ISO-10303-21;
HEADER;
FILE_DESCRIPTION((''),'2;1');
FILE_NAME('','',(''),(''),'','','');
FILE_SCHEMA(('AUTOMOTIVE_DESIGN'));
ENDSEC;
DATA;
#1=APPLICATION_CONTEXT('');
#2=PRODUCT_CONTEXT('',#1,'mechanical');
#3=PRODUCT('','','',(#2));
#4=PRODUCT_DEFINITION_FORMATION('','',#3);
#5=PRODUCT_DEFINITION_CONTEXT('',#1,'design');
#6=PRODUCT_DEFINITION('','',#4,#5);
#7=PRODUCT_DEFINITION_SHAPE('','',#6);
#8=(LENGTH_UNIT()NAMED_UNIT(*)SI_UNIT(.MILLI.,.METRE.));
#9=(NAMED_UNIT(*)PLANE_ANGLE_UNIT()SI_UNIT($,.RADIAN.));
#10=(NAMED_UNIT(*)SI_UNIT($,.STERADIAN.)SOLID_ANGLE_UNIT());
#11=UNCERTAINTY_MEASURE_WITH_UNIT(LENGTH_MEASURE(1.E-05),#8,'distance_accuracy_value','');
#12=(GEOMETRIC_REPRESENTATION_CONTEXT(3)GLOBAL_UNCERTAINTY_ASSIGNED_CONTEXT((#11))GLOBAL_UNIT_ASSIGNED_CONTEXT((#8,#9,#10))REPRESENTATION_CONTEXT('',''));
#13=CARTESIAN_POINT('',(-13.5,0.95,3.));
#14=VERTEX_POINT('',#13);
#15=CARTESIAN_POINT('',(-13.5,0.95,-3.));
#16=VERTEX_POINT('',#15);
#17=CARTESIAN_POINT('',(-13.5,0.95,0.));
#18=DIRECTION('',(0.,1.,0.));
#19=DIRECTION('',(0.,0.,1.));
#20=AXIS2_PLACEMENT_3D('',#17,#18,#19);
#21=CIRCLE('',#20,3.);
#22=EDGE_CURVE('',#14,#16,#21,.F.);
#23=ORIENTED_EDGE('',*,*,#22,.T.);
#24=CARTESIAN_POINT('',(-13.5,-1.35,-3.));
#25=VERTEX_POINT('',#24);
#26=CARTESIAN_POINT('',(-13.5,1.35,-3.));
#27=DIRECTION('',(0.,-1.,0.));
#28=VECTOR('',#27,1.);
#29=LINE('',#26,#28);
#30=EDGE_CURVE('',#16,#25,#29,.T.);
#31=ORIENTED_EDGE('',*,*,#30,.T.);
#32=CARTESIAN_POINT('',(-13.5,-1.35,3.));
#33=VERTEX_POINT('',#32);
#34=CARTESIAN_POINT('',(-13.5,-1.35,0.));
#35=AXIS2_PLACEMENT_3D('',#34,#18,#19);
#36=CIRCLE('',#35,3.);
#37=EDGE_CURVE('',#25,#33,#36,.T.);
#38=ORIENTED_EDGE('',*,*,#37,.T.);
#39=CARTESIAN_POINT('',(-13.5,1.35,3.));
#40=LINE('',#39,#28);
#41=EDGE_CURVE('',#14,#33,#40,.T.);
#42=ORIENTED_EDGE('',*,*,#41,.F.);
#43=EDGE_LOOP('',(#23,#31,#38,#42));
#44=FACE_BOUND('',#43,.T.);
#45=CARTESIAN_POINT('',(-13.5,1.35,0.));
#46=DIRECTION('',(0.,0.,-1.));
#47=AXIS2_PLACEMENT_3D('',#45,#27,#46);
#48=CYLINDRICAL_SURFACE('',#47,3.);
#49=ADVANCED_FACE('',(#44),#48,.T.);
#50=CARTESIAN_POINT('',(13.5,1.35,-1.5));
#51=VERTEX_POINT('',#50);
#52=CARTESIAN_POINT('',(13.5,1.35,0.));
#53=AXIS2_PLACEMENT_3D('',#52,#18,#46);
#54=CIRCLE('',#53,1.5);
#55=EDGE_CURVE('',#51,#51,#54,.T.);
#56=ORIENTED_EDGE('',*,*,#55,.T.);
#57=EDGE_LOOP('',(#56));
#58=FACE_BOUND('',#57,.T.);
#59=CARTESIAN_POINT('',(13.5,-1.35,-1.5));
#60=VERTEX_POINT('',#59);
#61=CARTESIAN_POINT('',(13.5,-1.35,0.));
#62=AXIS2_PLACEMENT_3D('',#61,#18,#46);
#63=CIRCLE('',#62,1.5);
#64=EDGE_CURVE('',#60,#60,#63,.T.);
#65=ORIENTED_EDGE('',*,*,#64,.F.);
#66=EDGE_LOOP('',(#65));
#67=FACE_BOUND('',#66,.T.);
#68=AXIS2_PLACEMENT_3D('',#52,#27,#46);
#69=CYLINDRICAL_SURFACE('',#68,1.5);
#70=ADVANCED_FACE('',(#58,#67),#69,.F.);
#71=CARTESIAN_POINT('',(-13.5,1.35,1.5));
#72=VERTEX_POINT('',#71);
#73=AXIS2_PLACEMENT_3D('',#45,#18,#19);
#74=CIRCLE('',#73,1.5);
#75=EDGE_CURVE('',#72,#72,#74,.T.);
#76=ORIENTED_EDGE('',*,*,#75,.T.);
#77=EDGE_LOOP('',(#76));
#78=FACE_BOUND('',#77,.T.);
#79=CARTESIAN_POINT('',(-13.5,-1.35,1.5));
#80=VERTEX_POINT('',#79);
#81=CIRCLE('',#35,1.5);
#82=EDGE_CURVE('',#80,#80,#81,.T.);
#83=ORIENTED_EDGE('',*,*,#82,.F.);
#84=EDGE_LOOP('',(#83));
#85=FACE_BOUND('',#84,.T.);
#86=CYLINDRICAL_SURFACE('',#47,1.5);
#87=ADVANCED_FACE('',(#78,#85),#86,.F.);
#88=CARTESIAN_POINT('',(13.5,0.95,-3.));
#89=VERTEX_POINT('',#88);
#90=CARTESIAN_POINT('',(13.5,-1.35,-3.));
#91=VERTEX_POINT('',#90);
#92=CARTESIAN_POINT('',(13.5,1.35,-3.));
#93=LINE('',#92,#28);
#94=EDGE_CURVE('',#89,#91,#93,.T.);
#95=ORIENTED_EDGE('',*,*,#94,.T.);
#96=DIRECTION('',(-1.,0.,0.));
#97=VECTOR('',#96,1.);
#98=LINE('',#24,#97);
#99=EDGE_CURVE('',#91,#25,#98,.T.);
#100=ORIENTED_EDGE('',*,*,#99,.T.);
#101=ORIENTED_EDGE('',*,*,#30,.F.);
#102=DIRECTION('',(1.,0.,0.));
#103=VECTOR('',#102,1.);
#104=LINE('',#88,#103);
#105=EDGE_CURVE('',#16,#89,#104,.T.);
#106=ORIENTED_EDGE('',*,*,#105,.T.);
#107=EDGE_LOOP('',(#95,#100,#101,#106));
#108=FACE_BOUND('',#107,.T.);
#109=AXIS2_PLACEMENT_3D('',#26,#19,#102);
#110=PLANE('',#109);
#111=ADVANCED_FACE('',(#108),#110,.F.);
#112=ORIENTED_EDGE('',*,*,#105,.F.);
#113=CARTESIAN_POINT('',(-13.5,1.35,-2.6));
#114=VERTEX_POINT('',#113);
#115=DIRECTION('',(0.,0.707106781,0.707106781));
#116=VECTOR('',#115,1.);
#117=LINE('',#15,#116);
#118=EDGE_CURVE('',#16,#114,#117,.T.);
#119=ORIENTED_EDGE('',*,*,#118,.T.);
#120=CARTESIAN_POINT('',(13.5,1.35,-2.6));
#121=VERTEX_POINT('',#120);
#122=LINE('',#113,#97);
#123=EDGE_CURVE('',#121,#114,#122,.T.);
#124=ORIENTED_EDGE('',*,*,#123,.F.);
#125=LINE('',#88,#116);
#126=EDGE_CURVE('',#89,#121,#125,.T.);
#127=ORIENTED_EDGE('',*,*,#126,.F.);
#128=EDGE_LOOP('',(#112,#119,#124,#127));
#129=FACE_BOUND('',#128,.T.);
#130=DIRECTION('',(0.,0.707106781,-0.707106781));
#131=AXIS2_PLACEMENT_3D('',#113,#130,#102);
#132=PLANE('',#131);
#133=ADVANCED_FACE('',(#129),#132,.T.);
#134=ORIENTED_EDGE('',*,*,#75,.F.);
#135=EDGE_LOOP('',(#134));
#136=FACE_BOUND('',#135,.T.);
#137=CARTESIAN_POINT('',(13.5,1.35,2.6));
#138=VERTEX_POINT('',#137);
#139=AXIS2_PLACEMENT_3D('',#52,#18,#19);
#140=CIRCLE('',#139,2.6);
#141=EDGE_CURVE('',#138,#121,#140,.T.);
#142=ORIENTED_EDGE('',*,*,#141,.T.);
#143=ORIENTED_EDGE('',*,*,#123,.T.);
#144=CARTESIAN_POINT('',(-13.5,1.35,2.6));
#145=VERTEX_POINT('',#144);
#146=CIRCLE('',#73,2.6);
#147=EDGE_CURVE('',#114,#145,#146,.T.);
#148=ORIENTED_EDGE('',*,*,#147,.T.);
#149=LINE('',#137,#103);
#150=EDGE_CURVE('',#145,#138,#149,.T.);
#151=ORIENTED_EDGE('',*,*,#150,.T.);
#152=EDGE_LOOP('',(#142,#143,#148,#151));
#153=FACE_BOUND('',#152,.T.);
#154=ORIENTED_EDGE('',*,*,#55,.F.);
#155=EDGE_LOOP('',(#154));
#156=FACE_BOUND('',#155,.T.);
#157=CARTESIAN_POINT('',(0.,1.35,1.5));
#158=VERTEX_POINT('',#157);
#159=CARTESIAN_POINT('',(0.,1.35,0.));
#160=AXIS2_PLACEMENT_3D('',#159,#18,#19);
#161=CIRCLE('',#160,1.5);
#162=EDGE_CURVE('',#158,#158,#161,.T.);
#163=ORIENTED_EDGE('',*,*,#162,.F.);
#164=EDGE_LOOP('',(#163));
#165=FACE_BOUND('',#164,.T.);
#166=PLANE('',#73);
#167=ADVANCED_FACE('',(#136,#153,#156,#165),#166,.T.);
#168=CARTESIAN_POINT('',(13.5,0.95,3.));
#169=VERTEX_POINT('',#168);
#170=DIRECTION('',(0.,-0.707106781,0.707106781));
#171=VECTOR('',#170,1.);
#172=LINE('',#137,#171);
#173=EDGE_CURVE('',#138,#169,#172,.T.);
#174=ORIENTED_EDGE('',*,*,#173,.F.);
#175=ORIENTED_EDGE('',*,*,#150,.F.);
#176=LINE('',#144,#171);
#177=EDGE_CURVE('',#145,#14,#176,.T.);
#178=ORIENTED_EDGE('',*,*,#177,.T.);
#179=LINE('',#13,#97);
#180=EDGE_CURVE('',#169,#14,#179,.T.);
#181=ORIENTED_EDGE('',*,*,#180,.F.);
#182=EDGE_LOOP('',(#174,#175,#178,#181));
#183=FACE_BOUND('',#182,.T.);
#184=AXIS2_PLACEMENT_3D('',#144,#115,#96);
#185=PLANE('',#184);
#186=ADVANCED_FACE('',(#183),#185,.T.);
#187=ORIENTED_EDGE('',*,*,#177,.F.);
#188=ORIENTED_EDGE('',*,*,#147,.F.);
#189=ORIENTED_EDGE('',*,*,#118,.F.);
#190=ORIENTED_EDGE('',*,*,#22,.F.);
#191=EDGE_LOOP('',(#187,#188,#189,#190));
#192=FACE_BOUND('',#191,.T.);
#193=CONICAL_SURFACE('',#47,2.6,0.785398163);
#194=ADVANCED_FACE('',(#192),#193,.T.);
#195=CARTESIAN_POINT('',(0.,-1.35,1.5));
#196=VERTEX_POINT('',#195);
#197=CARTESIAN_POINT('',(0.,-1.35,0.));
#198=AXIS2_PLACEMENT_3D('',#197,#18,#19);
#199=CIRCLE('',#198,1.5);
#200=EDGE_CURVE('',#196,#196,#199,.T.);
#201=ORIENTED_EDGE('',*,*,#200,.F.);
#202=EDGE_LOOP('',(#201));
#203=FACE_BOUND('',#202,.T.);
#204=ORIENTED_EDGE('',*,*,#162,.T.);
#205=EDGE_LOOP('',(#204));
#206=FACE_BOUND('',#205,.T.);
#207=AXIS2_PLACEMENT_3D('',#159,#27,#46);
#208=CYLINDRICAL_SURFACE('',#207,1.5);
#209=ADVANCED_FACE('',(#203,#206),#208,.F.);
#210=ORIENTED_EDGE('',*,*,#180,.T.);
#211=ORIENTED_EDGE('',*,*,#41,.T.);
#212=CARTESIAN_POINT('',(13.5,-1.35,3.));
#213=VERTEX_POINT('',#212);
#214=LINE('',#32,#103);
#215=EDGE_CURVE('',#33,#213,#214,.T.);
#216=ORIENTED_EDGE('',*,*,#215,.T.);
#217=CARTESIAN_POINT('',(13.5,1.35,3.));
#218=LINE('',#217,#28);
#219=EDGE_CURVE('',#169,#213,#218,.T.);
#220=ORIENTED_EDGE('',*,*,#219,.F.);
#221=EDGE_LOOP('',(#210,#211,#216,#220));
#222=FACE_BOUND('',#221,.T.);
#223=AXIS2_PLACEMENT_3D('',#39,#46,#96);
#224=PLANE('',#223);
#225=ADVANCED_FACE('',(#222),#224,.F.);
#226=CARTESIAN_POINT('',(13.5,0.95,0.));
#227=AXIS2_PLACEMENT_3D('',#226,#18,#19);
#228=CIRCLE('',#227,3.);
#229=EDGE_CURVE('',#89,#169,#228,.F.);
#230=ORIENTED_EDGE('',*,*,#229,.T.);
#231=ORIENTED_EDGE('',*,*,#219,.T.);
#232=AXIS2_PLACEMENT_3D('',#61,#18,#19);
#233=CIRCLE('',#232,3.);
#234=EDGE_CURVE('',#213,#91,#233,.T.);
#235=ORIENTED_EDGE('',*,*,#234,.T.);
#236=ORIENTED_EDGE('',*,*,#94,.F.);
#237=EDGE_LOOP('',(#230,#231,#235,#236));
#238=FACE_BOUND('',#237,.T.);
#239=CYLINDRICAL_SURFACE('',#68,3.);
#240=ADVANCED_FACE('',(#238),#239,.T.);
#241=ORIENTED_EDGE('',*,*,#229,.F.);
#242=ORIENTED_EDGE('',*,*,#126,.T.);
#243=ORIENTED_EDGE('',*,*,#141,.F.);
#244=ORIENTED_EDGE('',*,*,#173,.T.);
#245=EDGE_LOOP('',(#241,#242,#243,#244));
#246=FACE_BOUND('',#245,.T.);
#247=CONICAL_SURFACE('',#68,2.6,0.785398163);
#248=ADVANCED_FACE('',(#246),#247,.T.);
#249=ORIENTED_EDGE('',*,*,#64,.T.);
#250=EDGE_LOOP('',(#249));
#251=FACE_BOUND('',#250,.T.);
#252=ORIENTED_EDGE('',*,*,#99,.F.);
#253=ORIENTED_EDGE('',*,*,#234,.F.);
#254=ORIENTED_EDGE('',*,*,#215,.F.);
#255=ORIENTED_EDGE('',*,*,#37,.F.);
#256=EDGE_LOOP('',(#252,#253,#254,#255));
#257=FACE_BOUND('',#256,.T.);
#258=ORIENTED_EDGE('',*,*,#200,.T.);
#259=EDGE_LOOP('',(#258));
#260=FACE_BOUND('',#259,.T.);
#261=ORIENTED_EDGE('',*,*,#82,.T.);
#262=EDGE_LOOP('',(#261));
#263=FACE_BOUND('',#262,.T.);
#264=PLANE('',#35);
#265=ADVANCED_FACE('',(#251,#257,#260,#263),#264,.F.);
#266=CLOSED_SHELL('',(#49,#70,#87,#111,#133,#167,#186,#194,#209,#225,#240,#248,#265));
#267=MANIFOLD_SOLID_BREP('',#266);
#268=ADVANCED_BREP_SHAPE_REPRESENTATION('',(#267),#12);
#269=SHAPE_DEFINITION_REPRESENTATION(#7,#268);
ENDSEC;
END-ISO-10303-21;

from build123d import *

# Parameters (mm, degrees)
SKETCH1_R           = 1.5
BOSS_EXTRUDE1_DEPTH = 1.35
CHAMFER1_SIZE       = 0.4


with BuildPart() as part:
    # Sketch1 → Boss-Extrude1 (new body, symmetric)
    with BuildSketch(Plane(origin=(0, 0, 0), x_dir=(1, 0, 0), z_dir=(0, 1, 0))):
        with BuildLine():
            Line((-13.5, 3), (13.5, 3))
            ThreePointArc((13.5, 3), (16.5, 0), (13.5, -3))
            Line((13.5, -3), (-13.5, -3))
            ThreePointArc((-13.5, -3), (-16.5, 0), (-13.5, 3))
        make_face()
        with Locations((-13.5, 0)):
            Circle(SKETCH1_R, mode=Mode.SUBTRACT)
        with Locations((13.5, 0)):
            Circle(SKETCH1_R, mode=Mode.SUBTRACT)
        Circle(SKETCH1_R, mode=Mode.SUBTRACT)
    extrude(amount=BOSS_EXTRUDE1_DEPTH, both=True)

    # Chamfer1
    chamfer1_edges = [part.edges().sort_by_distance(p)[0] for p in [
        (16.5, 1.35, 0),
        (0, 1.35, -3),
        (-16.5, 1.35, 0),
        (0, 1.35, 3),
    ]]
    chamfer(chamfer1_edges, length=CHAMFER1_SIZE)


solid = part.part
